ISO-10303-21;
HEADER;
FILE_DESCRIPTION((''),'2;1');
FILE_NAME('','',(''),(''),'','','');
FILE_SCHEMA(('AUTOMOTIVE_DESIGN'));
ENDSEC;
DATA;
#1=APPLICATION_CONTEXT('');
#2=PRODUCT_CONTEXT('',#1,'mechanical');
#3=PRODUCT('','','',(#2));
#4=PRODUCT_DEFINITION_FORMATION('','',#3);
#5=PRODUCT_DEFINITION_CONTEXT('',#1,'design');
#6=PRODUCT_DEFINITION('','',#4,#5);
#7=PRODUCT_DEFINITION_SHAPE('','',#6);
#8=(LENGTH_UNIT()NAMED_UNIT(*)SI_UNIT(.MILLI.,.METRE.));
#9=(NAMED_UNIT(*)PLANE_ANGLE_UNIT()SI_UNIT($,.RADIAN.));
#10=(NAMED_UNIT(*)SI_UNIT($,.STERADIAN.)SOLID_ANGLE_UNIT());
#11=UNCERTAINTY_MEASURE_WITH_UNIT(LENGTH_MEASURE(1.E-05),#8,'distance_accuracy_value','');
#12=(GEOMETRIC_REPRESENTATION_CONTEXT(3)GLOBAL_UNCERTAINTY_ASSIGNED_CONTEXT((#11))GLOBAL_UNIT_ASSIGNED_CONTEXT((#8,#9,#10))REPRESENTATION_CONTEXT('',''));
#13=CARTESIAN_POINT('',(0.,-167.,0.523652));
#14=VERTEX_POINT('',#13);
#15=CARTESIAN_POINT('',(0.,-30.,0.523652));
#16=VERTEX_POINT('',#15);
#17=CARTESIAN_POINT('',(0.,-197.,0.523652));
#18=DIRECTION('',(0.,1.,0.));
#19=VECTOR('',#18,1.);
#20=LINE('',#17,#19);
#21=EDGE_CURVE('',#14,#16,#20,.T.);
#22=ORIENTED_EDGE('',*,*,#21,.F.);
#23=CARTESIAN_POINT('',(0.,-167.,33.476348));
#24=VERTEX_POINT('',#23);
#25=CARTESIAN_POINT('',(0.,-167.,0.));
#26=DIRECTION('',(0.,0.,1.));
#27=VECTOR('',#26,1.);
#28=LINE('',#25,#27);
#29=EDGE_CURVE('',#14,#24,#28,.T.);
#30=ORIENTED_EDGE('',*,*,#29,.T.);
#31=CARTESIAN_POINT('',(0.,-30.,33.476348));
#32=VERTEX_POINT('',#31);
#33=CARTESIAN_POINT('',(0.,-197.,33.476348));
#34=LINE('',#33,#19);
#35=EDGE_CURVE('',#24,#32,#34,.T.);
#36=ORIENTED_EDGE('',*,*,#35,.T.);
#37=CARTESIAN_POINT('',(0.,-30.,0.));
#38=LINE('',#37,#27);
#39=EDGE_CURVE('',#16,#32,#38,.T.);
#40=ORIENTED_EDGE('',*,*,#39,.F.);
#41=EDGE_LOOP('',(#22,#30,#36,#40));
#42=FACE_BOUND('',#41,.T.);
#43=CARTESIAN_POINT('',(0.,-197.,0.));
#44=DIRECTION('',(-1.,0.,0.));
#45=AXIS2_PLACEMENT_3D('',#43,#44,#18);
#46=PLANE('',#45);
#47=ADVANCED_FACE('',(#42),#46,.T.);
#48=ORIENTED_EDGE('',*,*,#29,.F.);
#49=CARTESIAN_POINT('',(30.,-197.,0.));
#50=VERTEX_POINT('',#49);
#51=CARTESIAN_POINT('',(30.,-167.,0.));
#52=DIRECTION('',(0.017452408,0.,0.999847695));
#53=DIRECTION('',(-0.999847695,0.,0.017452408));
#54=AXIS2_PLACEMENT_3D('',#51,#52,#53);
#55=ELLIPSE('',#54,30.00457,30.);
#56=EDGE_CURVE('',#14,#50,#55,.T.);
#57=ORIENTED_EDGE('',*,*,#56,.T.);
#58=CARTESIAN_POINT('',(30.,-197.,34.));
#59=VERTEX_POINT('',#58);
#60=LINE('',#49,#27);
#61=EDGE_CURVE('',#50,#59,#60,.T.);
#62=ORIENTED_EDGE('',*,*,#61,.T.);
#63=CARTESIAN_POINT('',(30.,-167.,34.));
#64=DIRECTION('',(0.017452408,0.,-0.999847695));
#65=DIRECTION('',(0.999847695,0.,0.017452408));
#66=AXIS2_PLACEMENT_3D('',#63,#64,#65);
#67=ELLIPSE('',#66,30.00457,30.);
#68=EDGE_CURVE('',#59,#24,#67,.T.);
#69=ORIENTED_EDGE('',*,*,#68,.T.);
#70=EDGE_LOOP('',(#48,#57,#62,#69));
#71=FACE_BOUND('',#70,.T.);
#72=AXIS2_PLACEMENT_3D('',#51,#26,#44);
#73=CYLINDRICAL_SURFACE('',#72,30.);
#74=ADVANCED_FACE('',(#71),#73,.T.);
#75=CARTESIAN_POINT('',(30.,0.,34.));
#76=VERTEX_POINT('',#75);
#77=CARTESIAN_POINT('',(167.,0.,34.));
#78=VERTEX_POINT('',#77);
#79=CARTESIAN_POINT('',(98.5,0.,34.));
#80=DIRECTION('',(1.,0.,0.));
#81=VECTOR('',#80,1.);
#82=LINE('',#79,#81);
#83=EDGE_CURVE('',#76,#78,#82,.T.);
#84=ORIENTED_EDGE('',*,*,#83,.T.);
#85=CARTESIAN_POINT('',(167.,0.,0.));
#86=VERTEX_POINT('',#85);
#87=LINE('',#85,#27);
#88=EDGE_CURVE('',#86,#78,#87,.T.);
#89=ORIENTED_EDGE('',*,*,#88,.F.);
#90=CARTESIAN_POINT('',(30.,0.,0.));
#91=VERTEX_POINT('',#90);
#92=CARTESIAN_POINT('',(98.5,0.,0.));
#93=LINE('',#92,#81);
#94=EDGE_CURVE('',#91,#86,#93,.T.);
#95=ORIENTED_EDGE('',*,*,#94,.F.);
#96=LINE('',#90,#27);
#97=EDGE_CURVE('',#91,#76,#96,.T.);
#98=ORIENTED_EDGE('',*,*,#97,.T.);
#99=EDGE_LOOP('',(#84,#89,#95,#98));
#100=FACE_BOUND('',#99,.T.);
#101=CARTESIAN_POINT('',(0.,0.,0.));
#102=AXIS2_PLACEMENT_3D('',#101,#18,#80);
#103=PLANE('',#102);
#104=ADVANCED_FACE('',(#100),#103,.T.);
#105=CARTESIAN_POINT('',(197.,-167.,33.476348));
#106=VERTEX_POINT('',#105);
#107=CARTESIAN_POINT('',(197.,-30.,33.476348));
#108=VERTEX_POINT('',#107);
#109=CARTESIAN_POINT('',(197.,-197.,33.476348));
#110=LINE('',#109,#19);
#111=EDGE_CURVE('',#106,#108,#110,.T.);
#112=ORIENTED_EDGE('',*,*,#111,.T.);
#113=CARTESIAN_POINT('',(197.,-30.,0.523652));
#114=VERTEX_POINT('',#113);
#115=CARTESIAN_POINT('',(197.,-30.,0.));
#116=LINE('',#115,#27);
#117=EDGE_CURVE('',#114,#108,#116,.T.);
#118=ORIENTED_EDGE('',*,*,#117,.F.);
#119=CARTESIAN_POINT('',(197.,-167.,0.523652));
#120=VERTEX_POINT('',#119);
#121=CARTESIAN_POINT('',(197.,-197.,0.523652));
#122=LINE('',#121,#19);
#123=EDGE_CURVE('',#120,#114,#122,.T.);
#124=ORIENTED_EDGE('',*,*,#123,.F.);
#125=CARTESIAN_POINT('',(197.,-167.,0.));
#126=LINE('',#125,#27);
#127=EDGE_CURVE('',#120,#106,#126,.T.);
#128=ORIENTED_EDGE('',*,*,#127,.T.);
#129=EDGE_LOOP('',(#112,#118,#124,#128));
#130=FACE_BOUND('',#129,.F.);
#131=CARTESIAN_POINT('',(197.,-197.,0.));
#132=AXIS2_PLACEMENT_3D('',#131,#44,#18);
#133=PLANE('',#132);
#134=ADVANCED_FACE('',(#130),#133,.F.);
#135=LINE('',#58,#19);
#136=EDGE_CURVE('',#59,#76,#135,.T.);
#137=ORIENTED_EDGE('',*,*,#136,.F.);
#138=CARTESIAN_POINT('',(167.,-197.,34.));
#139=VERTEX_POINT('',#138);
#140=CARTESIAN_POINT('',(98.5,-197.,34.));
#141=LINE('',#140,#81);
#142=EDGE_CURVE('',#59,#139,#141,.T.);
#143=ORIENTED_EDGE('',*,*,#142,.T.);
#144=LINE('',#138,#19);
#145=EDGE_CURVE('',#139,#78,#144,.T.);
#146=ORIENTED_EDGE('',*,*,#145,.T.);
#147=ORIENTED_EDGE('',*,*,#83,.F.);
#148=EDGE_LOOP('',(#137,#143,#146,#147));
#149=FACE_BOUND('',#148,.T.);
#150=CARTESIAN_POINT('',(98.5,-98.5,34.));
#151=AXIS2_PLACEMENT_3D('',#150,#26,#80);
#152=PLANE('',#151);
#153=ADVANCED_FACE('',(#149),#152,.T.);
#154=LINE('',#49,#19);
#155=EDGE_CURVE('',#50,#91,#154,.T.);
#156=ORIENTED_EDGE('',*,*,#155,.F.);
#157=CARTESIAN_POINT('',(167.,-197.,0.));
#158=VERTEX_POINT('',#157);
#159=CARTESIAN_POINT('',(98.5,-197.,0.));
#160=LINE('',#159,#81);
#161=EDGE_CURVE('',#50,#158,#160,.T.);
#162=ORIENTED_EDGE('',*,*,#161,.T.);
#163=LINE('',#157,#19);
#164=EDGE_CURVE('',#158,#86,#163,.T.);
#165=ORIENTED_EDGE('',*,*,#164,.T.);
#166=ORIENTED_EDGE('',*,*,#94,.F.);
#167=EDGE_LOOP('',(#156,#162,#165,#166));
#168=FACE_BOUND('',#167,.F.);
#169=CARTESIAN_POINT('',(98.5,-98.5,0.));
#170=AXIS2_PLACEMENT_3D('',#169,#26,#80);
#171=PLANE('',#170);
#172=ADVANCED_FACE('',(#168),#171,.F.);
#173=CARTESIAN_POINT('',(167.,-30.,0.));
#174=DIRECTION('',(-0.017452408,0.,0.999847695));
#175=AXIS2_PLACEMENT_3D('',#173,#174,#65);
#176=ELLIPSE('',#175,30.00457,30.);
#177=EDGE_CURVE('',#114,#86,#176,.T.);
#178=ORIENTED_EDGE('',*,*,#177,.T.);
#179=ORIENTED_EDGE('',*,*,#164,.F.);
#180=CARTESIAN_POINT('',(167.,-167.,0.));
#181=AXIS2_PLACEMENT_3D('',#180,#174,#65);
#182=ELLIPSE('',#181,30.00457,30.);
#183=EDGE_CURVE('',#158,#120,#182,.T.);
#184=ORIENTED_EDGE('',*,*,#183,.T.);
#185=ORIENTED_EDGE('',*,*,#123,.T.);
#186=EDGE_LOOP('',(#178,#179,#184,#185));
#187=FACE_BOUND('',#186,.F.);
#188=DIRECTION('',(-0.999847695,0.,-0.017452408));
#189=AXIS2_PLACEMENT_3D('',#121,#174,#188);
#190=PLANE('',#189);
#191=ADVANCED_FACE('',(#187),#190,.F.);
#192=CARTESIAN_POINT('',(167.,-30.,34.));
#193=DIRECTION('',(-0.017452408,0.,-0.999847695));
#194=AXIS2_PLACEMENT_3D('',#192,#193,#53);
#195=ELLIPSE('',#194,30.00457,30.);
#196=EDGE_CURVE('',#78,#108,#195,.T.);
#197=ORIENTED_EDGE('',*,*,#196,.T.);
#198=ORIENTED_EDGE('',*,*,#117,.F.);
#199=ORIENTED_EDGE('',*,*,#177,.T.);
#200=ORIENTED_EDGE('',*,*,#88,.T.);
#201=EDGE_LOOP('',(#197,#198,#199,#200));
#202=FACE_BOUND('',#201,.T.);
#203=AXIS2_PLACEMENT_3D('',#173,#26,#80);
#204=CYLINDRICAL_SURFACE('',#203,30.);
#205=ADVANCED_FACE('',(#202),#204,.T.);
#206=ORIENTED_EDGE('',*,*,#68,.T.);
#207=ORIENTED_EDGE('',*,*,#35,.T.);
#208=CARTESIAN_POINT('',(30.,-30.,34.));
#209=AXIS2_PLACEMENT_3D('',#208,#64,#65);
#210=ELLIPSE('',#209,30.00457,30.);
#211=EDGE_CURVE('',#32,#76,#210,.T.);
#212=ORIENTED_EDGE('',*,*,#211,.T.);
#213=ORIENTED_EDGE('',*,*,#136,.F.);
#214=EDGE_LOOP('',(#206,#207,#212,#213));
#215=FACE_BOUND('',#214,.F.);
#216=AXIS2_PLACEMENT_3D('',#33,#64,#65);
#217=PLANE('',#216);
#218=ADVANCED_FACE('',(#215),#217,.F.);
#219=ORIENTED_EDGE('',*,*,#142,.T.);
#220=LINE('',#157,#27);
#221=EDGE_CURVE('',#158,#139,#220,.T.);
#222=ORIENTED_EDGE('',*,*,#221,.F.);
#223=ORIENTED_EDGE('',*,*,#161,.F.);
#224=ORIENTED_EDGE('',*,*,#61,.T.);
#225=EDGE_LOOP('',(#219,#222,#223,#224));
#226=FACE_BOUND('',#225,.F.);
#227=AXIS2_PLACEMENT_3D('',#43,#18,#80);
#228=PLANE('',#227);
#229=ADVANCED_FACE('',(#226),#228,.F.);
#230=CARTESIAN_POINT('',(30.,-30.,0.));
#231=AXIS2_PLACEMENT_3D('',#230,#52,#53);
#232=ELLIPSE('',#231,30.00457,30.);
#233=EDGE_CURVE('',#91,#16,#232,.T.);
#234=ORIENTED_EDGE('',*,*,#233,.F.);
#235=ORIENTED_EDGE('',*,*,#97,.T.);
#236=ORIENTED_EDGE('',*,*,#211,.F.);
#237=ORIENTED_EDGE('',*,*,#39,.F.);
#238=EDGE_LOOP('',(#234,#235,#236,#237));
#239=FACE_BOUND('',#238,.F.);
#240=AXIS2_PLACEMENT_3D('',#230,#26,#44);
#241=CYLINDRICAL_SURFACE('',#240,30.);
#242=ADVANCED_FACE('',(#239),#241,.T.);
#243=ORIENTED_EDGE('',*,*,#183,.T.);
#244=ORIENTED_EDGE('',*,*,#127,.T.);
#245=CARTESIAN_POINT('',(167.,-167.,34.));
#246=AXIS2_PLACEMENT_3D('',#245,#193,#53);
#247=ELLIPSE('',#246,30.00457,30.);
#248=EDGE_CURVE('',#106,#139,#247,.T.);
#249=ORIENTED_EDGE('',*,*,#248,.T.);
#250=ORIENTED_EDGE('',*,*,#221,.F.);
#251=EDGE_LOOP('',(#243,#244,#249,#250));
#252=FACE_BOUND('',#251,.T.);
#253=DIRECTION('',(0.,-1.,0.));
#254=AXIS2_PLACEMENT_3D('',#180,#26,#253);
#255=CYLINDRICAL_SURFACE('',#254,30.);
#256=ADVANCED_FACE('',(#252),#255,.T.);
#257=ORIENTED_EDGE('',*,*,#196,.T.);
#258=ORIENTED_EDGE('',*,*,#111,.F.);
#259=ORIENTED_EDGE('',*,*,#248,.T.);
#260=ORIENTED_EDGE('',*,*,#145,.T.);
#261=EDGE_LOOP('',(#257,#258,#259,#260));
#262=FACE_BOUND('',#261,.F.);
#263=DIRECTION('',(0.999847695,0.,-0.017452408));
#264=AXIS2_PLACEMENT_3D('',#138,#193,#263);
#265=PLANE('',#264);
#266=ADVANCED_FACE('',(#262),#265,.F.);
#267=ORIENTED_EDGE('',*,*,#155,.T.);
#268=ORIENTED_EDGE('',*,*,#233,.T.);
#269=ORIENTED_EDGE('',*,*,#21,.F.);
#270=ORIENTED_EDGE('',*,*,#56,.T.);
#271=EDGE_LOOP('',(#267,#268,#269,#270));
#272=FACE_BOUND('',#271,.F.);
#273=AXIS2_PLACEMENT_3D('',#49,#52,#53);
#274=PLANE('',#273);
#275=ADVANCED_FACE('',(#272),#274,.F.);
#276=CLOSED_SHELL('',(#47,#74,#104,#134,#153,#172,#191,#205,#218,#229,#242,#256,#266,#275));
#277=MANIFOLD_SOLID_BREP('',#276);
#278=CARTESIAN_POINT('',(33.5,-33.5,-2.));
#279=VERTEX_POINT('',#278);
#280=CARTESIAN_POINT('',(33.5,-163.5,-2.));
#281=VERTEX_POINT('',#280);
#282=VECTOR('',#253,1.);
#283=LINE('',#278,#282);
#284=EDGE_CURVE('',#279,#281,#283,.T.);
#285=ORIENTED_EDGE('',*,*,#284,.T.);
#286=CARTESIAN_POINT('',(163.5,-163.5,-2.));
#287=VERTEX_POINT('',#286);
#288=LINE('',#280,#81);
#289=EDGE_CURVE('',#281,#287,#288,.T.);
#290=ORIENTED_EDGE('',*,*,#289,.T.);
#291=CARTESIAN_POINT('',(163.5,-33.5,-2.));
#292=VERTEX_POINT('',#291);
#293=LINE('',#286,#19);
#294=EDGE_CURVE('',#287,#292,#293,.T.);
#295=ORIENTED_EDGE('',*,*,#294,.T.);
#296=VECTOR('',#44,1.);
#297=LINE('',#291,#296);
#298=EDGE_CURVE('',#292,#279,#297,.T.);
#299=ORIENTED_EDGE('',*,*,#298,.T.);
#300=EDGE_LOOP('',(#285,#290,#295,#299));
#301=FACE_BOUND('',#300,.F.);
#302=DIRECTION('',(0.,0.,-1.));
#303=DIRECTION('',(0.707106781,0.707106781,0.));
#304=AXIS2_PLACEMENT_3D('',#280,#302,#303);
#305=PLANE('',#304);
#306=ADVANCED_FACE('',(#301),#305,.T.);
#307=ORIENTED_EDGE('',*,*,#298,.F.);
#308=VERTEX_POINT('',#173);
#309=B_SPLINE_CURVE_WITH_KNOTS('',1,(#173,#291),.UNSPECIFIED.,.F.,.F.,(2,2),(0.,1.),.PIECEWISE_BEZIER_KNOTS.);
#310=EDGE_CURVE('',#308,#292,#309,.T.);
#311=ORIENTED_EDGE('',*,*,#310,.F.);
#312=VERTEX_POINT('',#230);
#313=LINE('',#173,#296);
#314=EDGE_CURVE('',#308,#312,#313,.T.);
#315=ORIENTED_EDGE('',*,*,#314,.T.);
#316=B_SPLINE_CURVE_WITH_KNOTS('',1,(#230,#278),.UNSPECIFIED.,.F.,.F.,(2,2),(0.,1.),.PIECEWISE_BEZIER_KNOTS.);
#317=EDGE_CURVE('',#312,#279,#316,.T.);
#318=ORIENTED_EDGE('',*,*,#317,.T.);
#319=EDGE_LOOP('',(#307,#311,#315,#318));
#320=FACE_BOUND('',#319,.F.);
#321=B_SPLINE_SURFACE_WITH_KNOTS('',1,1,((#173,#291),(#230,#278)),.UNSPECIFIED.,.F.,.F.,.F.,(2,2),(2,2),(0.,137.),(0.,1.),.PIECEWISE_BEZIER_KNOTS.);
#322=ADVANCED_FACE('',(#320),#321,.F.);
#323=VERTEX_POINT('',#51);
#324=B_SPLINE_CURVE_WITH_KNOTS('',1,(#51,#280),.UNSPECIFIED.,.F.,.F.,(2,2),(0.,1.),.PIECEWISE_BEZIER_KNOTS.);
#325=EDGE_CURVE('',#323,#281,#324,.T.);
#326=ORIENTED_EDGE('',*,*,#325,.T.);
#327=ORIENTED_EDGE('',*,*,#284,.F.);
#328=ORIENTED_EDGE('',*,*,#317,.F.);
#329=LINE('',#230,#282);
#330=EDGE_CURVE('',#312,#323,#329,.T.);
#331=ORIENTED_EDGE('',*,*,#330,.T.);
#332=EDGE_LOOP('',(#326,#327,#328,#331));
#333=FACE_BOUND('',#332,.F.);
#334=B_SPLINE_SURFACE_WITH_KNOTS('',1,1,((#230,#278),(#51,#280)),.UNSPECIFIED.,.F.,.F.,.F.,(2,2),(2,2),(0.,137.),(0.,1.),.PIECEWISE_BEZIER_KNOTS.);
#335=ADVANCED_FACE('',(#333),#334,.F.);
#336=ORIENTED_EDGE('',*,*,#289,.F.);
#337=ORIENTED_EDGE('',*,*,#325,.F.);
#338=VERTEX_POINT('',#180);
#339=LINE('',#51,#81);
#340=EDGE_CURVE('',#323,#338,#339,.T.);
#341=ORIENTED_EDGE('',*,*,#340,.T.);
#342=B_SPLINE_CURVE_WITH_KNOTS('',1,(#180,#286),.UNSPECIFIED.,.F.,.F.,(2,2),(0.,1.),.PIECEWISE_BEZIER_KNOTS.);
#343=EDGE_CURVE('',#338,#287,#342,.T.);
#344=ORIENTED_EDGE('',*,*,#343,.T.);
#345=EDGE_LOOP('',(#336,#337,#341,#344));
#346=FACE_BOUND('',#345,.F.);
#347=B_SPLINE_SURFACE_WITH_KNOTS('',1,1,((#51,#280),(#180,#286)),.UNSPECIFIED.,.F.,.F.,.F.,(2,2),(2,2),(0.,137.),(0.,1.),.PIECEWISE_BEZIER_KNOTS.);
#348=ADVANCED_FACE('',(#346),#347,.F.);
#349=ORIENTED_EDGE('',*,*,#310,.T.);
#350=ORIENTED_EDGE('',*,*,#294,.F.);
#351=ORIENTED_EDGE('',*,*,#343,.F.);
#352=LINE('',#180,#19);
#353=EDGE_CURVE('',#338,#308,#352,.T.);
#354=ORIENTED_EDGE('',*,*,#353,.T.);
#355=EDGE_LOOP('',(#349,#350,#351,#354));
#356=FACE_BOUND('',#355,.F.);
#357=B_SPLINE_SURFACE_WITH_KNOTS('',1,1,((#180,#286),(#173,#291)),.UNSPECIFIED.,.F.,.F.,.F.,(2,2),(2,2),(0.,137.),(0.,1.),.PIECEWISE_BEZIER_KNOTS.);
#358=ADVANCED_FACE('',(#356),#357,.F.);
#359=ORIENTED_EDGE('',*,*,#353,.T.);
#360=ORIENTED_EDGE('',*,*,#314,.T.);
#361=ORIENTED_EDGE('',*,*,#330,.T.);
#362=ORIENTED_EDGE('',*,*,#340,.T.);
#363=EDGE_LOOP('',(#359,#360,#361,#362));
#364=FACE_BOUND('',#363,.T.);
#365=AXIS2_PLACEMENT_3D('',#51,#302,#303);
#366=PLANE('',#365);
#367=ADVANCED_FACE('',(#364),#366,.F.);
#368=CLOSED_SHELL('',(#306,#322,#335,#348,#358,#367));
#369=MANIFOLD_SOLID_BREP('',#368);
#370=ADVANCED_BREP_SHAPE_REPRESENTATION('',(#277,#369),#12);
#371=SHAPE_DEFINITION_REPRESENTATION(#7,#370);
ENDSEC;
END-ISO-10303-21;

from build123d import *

# Parameters (mm, degrees)
F0_W     = 197
F0_H     = 197
F1_DEPTH = 34
F2_R     = 30
F5_DEPTH = 197


with BuildPart() as f1:
    # F0 (on Top) → F1 (new body)
    with BuildSketch(Plane.XY):
        with Locations((98.5, -98.5)):
            Rectangle(F0_W, F0_H)
    extrude(amount=F1_DEPTH)

    # F2
    f2_edges = [f1.edges().sort_by_distance(p)[0] for p in [
        (197, -197, 17),
        (197, 0, 17),
        (0, 0, 17),
        (0, -197, 17),
    ]]
    fillet(f2_edges, radius=F2_R)

    # F4 (on offset) → F5 (cut)
    with BuildSketch(Plane.XZ.offset(197)):
        Polygon((197, 34), (167, 34), (197, 33.476348), align=None)
        Polygon((0, 0.523652), (0, 0), (30, 0), align=None)
        Polygon((197, 0.523652), (167, 0), (197, 0), align=None)
        Polygon((30, 34), (0, 34), (0, 33.476348), align=None)
    extrude(amount=-F5_DEPTH, mode=Mode.SUBTRACT)


with BuildPart() as f9:
    # F6 (on Top) → F9 section 0
    with BuildSketch(Plane.XY):
        Polygon((30, -167), (167, -167), (167, -30), (98.5, -30), (30, -30), align=None)
    # F8 (on offset) → F9 section 1
    with BuildSketch(Plane.XY.offset(-2)):
        Polygon((33.5, -163.5), (163.5, -163.5), (163.5, -33.5), (98.5, -33.5), (33.5, -33.5), align=None)
    loft()


solid = Compound([f1.part, f9.part])
